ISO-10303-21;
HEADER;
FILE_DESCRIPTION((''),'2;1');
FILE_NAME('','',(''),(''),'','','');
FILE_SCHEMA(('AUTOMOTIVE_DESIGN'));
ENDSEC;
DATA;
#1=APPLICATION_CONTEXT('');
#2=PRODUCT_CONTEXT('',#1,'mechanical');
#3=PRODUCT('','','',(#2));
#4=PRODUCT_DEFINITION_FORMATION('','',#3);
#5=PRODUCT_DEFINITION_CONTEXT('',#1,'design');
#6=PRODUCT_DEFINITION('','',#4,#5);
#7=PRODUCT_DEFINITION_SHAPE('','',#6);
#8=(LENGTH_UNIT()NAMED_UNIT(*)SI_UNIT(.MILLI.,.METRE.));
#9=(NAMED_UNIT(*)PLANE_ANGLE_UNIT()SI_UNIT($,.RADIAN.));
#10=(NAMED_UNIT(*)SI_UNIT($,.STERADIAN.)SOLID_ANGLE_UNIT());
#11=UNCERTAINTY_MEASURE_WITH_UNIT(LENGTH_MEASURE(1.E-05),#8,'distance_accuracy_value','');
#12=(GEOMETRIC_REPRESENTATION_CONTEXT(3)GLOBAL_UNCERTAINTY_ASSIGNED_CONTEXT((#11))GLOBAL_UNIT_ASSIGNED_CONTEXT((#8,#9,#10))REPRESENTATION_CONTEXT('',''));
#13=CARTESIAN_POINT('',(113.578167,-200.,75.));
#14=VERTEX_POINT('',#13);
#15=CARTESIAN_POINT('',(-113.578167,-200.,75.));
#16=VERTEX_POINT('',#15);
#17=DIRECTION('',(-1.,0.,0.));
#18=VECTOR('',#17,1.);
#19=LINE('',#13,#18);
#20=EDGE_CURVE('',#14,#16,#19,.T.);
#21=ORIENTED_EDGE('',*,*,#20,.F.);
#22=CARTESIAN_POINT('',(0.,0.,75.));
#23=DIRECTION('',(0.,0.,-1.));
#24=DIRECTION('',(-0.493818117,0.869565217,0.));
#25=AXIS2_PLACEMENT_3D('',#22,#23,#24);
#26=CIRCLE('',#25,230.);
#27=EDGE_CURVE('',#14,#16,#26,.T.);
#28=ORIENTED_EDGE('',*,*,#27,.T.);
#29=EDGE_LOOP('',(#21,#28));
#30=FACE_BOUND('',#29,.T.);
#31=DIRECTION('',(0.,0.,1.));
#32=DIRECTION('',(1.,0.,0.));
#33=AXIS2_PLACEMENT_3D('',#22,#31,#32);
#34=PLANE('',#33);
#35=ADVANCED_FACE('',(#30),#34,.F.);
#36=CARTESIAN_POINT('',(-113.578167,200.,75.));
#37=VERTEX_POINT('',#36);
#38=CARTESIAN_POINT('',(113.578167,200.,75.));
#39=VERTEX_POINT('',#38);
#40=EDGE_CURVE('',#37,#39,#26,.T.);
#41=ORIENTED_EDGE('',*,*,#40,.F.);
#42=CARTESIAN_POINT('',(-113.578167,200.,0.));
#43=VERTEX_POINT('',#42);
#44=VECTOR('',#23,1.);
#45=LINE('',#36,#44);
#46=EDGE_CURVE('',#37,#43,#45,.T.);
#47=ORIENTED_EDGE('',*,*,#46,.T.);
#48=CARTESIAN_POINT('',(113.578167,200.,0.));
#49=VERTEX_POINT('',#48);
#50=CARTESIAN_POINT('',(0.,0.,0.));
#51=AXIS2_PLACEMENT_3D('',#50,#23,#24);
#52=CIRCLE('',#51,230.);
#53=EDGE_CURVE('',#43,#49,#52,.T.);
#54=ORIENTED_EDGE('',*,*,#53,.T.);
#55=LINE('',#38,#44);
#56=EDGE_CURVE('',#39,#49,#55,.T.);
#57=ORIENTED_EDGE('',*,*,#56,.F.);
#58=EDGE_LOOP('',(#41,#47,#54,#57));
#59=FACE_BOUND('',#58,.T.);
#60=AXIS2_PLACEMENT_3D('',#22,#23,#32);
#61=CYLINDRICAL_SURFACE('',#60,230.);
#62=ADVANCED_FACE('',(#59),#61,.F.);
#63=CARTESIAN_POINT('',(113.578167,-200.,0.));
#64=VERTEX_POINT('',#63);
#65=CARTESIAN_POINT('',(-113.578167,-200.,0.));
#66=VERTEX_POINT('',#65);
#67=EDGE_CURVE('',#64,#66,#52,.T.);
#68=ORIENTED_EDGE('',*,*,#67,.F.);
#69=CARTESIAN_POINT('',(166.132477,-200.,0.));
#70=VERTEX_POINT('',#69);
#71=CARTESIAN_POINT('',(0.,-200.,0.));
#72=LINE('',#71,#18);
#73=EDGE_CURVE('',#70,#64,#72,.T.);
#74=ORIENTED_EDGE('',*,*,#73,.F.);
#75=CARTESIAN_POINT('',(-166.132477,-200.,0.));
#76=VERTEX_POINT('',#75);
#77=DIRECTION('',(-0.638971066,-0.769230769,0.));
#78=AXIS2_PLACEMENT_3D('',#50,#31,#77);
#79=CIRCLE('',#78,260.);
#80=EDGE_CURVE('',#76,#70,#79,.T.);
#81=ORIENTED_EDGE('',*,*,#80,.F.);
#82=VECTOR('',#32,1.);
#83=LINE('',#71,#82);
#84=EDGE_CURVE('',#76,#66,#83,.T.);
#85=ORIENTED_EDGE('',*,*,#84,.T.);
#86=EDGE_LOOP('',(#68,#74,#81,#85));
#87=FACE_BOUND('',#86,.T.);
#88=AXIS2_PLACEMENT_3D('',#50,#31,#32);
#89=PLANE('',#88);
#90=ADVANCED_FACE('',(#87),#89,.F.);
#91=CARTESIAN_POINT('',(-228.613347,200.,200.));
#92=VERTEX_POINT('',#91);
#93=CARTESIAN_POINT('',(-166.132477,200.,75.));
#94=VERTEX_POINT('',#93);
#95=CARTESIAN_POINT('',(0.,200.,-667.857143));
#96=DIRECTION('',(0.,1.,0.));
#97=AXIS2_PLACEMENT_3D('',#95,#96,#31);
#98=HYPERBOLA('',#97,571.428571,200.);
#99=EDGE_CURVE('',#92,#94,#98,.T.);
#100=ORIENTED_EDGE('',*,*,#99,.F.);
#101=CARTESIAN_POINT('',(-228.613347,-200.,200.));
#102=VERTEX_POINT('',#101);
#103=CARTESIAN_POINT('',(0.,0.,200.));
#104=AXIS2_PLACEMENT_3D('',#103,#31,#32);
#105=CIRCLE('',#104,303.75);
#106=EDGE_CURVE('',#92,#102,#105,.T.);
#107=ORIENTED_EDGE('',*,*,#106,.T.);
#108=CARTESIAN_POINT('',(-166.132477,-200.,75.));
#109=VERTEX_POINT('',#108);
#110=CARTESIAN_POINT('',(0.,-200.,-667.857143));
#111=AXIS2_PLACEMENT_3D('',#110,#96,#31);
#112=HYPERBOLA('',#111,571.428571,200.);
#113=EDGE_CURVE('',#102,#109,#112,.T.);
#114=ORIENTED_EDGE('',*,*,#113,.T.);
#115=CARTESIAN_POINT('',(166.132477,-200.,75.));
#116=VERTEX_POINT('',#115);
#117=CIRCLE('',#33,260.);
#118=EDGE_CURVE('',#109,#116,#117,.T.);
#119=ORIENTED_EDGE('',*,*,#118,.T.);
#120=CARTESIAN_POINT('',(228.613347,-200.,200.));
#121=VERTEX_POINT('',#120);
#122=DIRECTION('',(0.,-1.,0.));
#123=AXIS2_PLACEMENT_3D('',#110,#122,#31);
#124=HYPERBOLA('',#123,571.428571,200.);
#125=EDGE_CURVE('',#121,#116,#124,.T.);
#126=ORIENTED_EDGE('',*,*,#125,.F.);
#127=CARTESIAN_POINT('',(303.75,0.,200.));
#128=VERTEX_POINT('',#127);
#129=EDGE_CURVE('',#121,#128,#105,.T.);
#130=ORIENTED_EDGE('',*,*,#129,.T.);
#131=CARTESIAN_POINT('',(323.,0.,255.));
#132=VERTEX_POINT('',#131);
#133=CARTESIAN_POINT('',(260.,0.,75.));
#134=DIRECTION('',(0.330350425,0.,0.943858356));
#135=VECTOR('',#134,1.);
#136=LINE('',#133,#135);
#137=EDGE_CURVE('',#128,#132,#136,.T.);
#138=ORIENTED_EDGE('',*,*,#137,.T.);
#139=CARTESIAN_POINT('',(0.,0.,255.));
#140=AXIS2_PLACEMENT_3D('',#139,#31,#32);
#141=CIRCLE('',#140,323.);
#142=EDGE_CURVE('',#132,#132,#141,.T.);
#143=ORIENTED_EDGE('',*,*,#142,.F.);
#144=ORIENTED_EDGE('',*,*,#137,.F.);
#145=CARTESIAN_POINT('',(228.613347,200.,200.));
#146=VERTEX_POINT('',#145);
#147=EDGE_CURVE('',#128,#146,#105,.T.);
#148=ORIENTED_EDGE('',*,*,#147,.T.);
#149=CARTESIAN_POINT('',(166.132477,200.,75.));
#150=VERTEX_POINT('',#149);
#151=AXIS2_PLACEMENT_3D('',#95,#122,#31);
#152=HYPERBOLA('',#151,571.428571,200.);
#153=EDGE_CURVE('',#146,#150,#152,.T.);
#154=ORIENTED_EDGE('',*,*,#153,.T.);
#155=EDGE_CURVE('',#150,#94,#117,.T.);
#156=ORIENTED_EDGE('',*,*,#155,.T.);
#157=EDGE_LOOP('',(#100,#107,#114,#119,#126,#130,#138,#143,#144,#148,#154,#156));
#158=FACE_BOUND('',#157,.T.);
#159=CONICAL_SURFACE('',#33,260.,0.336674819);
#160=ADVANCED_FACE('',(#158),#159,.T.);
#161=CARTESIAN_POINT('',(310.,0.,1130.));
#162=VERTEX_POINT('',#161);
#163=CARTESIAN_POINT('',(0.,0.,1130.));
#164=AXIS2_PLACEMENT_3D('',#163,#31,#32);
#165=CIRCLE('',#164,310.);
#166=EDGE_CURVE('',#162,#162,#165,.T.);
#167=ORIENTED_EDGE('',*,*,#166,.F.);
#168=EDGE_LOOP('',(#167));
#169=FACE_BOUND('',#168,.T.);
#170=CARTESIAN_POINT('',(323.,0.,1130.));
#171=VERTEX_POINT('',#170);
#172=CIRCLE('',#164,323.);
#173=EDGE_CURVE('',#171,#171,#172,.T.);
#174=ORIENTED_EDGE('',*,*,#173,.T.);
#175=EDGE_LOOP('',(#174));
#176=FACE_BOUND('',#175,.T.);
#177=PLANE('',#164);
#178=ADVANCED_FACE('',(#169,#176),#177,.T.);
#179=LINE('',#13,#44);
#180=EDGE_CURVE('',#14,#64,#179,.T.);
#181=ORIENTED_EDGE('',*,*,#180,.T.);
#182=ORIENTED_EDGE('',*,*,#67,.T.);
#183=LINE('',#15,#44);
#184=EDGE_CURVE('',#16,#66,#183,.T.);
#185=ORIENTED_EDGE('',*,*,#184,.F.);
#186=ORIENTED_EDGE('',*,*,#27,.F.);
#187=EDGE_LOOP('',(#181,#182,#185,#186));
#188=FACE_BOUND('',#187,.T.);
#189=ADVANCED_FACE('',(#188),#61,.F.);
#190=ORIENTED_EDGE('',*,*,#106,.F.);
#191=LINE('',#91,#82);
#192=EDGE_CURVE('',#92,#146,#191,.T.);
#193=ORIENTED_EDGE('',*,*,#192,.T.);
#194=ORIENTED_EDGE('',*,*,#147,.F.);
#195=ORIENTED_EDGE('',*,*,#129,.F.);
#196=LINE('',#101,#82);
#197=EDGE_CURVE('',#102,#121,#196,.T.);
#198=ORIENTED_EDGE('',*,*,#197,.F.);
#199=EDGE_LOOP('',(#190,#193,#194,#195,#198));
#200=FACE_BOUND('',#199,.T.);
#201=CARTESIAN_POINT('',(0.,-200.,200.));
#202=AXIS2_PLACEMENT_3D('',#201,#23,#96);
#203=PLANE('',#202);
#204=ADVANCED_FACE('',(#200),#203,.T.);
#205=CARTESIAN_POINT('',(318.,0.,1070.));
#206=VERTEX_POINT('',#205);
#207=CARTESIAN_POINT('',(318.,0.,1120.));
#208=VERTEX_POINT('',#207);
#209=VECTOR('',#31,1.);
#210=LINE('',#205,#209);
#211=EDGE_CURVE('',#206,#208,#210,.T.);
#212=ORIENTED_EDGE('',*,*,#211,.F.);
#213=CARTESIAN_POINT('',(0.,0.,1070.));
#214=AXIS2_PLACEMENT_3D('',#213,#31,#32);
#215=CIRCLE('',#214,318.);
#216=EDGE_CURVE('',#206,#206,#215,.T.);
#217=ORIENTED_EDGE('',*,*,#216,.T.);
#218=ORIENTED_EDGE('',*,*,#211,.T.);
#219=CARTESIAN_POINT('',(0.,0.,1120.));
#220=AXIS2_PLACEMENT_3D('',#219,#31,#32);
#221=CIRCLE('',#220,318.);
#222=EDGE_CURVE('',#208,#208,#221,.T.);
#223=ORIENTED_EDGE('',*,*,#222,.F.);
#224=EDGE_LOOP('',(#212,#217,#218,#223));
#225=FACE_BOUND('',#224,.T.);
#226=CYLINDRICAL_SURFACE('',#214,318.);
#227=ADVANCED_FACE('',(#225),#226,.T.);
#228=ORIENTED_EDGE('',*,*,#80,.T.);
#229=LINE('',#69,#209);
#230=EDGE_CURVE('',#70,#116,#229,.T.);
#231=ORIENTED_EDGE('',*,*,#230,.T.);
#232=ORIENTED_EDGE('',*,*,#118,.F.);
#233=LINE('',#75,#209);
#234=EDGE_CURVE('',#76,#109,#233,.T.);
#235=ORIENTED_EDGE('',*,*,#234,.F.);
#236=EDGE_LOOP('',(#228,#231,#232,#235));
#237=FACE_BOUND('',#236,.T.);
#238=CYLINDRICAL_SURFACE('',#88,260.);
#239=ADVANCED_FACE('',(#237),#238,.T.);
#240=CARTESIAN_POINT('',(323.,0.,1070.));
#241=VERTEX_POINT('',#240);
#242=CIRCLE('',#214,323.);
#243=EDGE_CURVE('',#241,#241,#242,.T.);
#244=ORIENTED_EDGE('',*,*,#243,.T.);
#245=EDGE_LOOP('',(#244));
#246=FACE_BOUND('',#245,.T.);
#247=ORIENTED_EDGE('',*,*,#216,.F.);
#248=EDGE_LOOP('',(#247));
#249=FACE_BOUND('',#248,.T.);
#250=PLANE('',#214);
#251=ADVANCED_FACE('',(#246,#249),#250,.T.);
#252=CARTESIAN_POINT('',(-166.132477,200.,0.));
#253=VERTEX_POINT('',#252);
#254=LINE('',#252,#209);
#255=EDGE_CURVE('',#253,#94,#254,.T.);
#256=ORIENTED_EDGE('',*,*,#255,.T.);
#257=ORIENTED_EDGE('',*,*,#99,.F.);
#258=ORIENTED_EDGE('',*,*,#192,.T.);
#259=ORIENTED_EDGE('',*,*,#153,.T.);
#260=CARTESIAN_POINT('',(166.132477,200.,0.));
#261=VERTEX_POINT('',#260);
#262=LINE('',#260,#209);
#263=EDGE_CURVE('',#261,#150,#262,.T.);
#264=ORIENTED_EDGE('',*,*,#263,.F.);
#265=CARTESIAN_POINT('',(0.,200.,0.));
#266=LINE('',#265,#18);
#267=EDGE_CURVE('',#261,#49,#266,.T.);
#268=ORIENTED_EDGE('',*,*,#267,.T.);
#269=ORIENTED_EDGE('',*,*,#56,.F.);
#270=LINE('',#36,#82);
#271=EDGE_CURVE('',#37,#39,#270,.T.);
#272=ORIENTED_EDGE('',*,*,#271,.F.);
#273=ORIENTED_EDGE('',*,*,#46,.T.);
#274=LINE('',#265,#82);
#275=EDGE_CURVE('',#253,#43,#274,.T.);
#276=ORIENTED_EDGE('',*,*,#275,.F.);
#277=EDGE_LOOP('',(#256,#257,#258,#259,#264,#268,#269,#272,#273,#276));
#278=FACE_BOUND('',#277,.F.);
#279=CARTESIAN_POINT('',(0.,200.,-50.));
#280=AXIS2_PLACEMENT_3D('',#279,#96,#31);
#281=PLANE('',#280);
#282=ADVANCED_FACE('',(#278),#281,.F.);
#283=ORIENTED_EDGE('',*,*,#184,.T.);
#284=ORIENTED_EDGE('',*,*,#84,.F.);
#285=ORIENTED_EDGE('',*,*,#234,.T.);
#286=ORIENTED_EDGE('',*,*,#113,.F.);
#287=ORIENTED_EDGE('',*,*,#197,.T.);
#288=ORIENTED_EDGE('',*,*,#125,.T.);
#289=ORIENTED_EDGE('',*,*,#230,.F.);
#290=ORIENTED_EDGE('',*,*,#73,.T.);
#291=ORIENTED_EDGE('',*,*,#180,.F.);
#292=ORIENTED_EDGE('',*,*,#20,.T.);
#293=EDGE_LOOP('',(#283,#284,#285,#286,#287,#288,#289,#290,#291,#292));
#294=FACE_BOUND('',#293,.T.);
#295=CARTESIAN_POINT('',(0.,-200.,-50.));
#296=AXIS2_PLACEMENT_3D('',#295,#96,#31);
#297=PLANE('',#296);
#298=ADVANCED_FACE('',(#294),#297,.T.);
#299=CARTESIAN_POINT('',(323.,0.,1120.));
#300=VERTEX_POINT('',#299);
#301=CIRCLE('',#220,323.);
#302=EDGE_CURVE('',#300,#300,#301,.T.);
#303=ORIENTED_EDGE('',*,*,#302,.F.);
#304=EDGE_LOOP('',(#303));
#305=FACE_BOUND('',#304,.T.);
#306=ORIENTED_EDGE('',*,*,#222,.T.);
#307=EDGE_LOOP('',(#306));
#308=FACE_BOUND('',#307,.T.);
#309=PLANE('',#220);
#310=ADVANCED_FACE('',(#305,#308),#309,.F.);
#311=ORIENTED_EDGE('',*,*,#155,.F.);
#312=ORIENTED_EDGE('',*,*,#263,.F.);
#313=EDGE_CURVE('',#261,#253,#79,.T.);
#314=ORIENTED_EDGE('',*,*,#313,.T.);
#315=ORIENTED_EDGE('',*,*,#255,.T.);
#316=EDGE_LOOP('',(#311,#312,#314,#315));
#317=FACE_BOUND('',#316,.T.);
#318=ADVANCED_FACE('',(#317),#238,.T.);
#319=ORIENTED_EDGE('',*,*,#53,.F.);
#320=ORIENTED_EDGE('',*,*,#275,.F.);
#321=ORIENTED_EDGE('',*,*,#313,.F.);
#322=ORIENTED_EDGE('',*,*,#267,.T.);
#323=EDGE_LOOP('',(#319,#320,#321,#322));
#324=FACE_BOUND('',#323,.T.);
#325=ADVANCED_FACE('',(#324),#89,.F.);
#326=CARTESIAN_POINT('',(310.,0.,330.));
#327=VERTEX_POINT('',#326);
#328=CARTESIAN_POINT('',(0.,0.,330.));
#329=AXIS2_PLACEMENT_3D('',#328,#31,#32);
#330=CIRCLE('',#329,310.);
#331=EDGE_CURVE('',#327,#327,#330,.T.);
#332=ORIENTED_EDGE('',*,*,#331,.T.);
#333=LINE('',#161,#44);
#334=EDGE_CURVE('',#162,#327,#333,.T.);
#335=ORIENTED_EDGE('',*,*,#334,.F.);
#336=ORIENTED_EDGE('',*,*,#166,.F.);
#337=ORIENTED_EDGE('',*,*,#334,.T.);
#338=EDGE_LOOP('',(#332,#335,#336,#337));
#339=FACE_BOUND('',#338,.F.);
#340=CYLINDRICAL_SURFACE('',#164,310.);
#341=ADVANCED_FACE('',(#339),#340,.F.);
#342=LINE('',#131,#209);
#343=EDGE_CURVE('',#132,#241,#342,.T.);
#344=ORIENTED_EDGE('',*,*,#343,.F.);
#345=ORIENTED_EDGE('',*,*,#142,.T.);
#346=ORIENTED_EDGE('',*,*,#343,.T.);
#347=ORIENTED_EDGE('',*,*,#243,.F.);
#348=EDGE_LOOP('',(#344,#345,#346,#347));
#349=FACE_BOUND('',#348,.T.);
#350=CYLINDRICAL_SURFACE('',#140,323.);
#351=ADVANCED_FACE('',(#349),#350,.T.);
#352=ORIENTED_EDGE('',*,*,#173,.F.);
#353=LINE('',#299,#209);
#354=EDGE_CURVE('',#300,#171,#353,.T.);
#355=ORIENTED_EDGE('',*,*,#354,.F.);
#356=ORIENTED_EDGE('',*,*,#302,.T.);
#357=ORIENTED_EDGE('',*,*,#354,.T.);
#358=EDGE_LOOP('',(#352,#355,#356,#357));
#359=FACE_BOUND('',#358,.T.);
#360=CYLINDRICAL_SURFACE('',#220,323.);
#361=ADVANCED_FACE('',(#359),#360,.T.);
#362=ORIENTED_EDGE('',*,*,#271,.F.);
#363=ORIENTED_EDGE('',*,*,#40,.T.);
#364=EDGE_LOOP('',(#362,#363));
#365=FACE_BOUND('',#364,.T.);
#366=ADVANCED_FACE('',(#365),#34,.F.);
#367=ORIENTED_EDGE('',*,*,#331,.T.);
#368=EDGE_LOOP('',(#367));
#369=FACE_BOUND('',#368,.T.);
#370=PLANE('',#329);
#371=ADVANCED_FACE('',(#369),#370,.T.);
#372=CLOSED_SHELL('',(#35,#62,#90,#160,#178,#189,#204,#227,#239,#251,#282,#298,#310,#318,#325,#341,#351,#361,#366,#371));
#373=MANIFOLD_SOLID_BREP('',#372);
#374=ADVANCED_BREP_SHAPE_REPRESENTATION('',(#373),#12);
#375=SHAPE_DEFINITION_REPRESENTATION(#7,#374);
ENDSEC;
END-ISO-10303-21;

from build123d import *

# Parameters (mm, degrees)
F2_R     = 310
F3_DEPTH = 800
F4_W     = 400
F4_H     = 250
F5_DEPTH = 323.001
F6_DEPTH = 323.001


with BuildPart() as f1:
    # F0 (on Front) → F1 (revolve)
    with BuildSketch(Plane.XZ):
        Polygon((0, 1130), (0, 0), (30, 0), (30, 75), (230, 75), (230, 0), (260, 0), (260, 75), (323, 255), (323, 1070), (318, 1070), (318, 1120), (323, 1120), (323, 1130), align=None)
    revolve(axis=Axis((0, 0, 565), (0, 0, 1)))

    # F2 (on face) → F3 (cut)
    with BuildSketch(Plane.XY.offset(1130)):
        Circle(F2_R)
    extrude(amount=-F3_DEPTH, mode=Mode.SUBTRACT)

    # F4 (on Right) → F5 (cut, through all)
    with BuildSketch(Plane.YZ):
        with Locations((0, 75)):
            Rectangle(F4_W, F4_H)
    extrude(amount=-F5_DEPTH, mode=Mode.SUBTRACT)

    # F4 (on Right) → F6 (cut, through all)
    with BuildSketch(Plane.YZ):
        with Locations((0, 75)):
            Rectangle(F4_W, F4_H)
    extrude(amount=F6_DEPTH, mode=Mode.SUBTRACT)


solid = f1.part
